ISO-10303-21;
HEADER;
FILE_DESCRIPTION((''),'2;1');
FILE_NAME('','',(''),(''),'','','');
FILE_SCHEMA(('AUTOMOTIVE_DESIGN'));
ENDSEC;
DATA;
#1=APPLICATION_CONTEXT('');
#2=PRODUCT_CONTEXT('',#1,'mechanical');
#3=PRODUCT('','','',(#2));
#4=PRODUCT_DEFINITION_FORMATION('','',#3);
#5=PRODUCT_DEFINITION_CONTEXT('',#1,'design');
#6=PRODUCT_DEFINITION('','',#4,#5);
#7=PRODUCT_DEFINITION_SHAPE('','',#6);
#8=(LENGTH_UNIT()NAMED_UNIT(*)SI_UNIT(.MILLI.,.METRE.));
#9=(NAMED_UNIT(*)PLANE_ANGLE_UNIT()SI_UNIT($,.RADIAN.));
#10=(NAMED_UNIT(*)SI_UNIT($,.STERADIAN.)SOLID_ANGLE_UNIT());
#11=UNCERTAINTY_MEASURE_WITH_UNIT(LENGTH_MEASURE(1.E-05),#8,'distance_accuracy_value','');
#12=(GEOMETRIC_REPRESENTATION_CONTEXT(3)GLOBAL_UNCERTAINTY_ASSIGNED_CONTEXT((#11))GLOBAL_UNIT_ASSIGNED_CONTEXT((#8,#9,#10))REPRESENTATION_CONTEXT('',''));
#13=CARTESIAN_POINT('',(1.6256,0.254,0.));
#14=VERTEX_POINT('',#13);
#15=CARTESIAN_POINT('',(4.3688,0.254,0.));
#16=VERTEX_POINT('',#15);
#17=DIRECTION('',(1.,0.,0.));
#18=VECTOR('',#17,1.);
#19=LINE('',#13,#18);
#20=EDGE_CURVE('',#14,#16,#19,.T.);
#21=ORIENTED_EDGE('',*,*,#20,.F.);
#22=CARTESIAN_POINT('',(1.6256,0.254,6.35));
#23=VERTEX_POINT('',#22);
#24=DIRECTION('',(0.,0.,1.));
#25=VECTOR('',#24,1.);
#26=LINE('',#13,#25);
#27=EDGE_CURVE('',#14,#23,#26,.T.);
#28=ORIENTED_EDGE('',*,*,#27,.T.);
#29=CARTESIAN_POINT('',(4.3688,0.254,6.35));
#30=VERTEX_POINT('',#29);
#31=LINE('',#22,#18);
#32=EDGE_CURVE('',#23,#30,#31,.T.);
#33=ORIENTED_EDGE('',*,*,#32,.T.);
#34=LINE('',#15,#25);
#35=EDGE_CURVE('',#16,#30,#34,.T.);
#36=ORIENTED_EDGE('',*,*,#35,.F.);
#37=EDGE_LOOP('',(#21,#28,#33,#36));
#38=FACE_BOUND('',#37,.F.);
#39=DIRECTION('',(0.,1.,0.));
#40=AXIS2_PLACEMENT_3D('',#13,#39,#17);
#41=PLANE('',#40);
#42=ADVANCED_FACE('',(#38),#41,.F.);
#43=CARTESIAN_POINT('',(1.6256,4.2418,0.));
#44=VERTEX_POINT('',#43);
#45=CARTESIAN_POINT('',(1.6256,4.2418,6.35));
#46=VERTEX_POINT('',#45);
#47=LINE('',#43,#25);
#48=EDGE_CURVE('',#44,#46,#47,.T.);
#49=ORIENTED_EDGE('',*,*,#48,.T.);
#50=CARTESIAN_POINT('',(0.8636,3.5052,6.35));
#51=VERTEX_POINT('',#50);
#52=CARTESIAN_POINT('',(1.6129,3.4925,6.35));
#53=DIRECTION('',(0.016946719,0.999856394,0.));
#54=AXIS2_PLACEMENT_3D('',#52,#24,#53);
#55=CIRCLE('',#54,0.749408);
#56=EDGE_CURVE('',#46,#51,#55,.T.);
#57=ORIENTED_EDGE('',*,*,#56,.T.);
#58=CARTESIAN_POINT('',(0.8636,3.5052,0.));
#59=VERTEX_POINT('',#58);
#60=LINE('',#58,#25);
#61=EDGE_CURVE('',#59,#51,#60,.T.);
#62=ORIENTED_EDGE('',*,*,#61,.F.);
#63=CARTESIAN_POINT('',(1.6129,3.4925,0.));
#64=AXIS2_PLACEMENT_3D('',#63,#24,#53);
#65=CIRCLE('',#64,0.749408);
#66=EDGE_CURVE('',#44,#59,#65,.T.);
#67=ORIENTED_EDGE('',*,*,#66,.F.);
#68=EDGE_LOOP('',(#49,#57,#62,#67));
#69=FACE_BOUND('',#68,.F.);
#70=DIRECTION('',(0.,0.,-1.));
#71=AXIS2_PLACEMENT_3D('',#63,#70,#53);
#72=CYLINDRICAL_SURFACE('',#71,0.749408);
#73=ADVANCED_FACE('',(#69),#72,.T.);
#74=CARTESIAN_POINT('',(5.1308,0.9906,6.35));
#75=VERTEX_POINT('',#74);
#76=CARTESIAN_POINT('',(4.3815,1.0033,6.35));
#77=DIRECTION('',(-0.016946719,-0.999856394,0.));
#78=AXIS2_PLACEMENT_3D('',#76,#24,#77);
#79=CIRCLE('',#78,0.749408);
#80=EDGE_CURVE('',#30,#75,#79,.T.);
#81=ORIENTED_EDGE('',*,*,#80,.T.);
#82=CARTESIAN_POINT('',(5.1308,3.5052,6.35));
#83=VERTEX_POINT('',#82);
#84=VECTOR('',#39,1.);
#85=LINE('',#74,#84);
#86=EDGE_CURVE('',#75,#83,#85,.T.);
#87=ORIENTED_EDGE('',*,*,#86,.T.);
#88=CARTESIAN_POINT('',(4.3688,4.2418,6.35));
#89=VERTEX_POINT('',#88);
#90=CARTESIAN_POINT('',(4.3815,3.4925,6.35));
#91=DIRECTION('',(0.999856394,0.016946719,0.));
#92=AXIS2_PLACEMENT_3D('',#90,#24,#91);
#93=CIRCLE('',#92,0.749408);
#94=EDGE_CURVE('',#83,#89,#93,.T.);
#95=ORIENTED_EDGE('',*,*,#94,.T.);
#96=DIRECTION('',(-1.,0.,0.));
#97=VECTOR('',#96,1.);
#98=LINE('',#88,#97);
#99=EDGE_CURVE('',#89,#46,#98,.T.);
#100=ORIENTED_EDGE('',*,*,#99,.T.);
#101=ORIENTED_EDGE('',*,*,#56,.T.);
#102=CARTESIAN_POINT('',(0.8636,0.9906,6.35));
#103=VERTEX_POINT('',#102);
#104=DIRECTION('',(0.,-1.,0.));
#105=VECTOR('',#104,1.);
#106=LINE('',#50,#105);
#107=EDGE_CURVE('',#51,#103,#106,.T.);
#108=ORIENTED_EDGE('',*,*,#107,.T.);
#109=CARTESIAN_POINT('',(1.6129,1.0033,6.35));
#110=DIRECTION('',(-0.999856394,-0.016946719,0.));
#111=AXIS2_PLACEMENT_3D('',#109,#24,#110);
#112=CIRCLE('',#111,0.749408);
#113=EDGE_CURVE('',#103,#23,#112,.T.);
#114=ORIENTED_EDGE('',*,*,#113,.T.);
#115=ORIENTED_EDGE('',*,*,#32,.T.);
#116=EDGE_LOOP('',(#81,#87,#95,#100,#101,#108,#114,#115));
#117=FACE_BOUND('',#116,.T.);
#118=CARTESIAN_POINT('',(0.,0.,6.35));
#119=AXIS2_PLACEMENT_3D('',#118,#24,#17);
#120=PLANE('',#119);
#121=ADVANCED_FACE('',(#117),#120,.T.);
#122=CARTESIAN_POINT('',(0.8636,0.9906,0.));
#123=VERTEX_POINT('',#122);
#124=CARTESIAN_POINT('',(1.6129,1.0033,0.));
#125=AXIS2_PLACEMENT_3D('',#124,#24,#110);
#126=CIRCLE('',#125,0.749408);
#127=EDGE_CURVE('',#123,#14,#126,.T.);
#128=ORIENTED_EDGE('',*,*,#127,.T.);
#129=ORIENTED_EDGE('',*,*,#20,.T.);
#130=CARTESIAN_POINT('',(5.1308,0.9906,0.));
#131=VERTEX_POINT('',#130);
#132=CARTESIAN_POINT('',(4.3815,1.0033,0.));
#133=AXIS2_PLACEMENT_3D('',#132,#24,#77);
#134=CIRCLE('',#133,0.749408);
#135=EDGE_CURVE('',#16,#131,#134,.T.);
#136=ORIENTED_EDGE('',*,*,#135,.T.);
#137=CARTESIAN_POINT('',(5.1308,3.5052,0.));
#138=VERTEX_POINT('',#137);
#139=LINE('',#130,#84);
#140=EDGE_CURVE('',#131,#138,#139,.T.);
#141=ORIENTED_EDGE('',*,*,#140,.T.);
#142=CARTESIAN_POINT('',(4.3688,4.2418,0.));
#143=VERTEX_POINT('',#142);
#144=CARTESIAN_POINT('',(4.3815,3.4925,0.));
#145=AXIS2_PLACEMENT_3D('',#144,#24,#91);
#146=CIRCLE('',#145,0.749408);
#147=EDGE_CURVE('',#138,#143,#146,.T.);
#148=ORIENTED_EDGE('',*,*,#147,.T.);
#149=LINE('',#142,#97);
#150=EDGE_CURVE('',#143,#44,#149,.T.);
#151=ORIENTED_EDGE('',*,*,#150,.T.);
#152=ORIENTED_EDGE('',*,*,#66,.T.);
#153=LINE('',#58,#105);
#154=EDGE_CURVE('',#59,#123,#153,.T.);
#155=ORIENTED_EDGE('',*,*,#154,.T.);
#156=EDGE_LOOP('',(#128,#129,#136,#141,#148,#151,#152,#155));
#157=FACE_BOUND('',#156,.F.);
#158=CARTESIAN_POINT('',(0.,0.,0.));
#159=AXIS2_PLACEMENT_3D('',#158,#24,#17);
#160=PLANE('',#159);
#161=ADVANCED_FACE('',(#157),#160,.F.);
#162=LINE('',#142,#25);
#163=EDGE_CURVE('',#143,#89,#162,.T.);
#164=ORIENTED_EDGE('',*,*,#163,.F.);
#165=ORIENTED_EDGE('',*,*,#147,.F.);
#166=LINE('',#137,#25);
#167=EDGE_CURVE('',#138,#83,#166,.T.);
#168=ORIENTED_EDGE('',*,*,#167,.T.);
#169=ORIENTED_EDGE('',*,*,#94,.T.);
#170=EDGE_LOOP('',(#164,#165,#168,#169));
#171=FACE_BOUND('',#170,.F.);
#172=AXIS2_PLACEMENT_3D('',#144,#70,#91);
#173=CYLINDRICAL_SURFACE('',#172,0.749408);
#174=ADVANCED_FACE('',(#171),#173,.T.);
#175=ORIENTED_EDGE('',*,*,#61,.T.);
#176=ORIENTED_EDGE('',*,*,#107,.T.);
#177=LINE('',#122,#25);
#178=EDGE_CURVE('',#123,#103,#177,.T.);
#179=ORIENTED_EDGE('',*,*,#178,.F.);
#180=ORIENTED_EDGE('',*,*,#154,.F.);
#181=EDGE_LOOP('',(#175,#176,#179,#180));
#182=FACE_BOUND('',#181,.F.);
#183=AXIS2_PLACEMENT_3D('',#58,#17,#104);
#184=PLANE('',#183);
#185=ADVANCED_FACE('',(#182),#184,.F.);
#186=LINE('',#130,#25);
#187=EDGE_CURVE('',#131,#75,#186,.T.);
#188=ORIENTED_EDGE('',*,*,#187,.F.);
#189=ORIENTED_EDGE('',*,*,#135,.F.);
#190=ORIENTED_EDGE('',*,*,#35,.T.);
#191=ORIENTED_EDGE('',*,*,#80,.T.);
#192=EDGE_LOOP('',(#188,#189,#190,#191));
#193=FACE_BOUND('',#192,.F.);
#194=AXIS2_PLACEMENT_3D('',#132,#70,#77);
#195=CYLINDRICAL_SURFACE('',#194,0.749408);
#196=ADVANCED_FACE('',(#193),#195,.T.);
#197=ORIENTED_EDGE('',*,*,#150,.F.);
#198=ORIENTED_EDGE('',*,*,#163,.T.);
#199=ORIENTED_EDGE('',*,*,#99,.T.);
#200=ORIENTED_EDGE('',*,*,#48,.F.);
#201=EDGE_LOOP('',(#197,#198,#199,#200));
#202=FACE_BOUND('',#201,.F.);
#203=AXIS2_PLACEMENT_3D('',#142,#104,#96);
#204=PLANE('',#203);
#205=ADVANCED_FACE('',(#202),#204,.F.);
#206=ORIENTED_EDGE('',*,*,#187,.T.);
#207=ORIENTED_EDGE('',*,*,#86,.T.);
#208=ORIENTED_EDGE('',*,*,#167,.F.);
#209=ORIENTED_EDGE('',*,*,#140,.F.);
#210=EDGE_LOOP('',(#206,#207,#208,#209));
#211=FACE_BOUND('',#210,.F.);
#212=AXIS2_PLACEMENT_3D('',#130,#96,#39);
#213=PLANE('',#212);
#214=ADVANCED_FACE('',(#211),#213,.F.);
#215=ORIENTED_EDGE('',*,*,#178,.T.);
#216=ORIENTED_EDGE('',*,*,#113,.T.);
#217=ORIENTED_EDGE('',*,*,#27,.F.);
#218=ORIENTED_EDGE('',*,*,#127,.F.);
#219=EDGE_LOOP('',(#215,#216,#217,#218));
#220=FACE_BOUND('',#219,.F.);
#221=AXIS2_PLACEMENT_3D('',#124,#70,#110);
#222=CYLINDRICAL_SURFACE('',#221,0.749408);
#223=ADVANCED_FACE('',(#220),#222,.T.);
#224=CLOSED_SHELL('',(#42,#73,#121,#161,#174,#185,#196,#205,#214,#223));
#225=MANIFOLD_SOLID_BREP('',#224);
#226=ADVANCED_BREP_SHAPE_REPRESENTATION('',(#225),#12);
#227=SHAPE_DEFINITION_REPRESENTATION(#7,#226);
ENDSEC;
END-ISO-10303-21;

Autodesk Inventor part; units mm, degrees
ref_plane "YZ Plane" through (0, 0, 0) normal (1, 0, 0) x (0, 1, 0)
ref_plane "XZ Plane" through (0, 0, 0) normal (0, 1, 0) x (-1, 0, 0)
ref_plane "XY Plane" through (0, 0, 0) normal (0, 0, 1) x (1, 0, 0)
sketch "FSM2JH, Pushbutton_60" plane through (0, 0, 0) normal (0, 0, 1) x (1, 0, 0)
  line L0 (1.6256, 0.254) -> (4.3688, 0.254)
  arc A0 (4.3688, 0.254) -> (5.1308, 0.9906) centre (4.3815, 1.0033) ccw
  line L1 (5.1308, 0.9906) -> (5.1308, 3.5052)
  arc A1 (5.1308, 3.5052) -> (4.3688, 4.2418) centre (4.3815, 3.4925) ccw
  line L2 (4.3688, 4.2418) -> (1.6256, 4.2418)
  arc A2 (1.6256, 4.2418) -> (0.8636, 3.5052) centre (1.6129, 3.4925) ccw
  line L3 (0.8636, 3.5052) -> (0.8636, 0.9906)
  arc A3 (0.8636, 0.9906) -> (1.6256, 0.254) centre (1.6129, 1.0033) ccw
extrude "Extrusion1" add sketch "FSM2JH, Pushbutton_60" along normal blind 6.35
properties part number "Pushbutton"
